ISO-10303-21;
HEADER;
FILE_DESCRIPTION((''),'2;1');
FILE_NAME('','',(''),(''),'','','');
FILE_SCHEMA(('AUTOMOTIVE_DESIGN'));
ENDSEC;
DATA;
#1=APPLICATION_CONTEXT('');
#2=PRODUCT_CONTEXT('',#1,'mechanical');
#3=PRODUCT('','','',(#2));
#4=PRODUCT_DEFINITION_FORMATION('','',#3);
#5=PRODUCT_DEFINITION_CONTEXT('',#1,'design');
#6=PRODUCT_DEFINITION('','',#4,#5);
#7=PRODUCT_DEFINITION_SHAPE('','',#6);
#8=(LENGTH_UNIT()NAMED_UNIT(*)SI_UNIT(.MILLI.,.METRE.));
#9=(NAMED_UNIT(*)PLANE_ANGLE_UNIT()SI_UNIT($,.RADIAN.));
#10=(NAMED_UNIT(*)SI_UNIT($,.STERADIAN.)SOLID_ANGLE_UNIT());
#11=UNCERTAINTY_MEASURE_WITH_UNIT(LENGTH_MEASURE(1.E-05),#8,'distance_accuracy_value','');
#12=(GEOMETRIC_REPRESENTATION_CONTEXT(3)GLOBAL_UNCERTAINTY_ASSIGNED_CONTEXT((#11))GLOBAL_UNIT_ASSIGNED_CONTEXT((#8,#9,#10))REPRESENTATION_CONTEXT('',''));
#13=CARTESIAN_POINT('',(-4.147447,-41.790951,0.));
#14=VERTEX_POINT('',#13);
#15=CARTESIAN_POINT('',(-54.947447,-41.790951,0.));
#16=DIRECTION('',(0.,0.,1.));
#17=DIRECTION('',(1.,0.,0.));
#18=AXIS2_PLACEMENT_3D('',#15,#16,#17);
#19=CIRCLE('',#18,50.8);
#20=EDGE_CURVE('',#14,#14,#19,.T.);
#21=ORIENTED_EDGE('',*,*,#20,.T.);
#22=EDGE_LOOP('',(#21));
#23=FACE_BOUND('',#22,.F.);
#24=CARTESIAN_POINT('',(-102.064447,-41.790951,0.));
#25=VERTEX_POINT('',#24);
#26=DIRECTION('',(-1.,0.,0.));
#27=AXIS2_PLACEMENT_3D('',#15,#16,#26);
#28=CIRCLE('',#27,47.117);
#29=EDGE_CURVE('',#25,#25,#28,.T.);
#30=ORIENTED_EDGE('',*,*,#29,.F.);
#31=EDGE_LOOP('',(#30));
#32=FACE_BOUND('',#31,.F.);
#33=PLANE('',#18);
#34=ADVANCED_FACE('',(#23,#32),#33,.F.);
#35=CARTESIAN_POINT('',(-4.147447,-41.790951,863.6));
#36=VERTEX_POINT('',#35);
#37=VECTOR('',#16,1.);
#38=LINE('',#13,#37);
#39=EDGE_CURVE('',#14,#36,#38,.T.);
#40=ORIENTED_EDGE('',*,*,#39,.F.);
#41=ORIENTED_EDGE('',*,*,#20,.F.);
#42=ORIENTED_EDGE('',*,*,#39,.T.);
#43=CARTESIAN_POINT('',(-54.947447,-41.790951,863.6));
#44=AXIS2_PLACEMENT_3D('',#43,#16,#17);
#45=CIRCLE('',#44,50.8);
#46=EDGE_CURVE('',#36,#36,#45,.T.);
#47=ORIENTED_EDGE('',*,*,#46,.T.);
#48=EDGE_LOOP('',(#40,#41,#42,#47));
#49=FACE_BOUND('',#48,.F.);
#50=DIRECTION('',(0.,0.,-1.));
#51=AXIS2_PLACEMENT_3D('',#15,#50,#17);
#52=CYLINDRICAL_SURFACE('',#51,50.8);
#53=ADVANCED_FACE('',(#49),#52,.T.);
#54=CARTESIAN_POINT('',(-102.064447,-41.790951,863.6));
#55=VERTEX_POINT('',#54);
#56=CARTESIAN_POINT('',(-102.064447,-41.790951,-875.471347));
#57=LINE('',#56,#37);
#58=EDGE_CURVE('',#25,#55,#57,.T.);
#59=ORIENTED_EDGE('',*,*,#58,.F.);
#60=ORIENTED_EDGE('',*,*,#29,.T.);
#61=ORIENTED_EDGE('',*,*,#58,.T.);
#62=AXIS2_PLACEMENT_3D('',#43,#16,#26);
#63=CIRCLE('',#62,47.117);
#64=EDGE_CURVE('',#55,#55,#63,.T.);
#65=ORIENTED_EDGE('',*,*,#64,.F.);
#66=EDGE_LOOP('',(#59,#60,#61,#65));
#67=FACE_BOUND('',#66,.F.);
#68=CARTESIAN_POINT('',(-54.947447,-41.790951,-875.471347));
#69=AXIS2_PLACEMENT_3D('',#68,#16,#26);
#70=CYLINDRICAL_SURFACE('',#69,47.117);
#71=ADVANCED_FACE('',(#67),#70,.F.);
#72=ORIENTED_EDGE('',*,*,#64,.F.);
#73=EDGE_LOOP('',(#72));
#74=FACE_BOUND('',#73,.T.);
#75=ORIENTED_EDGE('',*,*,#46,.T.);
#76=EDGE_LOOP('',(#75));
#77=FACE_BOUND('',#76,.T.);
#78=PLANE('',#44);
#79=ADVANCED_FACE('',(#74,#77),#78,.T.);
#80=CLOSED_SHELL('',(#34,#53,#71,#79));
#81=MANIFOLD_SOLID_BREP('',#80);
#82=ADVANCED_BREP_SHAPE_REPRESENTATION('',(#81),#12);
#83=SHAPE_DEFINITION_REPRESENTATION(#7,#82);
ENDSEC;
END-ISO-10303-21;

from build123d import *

# Parameters (mm, degrees)
F0_R     = 50.8
F1_DEPTH = 863.6
F3_D     = 94.234


with BuildPart() as f1:
    # F0 (on Top) → F1 (new body)
    with BuildSketch(Plane.XY):
        with Locations((-54.947447, -41.790951)):
            Circle(F0_R)
    extrude(amount=F1_DEPTH)

    # F3 (through all)
    with Locations(Plane(origin=(0, 0, 0), x_dir=(1, 0, 0), z_dir=(0, 0, -1))):
        with Locations((-54.947447, 41.790951)):
            Hole(F3_D / 2)


solid = f1.part
